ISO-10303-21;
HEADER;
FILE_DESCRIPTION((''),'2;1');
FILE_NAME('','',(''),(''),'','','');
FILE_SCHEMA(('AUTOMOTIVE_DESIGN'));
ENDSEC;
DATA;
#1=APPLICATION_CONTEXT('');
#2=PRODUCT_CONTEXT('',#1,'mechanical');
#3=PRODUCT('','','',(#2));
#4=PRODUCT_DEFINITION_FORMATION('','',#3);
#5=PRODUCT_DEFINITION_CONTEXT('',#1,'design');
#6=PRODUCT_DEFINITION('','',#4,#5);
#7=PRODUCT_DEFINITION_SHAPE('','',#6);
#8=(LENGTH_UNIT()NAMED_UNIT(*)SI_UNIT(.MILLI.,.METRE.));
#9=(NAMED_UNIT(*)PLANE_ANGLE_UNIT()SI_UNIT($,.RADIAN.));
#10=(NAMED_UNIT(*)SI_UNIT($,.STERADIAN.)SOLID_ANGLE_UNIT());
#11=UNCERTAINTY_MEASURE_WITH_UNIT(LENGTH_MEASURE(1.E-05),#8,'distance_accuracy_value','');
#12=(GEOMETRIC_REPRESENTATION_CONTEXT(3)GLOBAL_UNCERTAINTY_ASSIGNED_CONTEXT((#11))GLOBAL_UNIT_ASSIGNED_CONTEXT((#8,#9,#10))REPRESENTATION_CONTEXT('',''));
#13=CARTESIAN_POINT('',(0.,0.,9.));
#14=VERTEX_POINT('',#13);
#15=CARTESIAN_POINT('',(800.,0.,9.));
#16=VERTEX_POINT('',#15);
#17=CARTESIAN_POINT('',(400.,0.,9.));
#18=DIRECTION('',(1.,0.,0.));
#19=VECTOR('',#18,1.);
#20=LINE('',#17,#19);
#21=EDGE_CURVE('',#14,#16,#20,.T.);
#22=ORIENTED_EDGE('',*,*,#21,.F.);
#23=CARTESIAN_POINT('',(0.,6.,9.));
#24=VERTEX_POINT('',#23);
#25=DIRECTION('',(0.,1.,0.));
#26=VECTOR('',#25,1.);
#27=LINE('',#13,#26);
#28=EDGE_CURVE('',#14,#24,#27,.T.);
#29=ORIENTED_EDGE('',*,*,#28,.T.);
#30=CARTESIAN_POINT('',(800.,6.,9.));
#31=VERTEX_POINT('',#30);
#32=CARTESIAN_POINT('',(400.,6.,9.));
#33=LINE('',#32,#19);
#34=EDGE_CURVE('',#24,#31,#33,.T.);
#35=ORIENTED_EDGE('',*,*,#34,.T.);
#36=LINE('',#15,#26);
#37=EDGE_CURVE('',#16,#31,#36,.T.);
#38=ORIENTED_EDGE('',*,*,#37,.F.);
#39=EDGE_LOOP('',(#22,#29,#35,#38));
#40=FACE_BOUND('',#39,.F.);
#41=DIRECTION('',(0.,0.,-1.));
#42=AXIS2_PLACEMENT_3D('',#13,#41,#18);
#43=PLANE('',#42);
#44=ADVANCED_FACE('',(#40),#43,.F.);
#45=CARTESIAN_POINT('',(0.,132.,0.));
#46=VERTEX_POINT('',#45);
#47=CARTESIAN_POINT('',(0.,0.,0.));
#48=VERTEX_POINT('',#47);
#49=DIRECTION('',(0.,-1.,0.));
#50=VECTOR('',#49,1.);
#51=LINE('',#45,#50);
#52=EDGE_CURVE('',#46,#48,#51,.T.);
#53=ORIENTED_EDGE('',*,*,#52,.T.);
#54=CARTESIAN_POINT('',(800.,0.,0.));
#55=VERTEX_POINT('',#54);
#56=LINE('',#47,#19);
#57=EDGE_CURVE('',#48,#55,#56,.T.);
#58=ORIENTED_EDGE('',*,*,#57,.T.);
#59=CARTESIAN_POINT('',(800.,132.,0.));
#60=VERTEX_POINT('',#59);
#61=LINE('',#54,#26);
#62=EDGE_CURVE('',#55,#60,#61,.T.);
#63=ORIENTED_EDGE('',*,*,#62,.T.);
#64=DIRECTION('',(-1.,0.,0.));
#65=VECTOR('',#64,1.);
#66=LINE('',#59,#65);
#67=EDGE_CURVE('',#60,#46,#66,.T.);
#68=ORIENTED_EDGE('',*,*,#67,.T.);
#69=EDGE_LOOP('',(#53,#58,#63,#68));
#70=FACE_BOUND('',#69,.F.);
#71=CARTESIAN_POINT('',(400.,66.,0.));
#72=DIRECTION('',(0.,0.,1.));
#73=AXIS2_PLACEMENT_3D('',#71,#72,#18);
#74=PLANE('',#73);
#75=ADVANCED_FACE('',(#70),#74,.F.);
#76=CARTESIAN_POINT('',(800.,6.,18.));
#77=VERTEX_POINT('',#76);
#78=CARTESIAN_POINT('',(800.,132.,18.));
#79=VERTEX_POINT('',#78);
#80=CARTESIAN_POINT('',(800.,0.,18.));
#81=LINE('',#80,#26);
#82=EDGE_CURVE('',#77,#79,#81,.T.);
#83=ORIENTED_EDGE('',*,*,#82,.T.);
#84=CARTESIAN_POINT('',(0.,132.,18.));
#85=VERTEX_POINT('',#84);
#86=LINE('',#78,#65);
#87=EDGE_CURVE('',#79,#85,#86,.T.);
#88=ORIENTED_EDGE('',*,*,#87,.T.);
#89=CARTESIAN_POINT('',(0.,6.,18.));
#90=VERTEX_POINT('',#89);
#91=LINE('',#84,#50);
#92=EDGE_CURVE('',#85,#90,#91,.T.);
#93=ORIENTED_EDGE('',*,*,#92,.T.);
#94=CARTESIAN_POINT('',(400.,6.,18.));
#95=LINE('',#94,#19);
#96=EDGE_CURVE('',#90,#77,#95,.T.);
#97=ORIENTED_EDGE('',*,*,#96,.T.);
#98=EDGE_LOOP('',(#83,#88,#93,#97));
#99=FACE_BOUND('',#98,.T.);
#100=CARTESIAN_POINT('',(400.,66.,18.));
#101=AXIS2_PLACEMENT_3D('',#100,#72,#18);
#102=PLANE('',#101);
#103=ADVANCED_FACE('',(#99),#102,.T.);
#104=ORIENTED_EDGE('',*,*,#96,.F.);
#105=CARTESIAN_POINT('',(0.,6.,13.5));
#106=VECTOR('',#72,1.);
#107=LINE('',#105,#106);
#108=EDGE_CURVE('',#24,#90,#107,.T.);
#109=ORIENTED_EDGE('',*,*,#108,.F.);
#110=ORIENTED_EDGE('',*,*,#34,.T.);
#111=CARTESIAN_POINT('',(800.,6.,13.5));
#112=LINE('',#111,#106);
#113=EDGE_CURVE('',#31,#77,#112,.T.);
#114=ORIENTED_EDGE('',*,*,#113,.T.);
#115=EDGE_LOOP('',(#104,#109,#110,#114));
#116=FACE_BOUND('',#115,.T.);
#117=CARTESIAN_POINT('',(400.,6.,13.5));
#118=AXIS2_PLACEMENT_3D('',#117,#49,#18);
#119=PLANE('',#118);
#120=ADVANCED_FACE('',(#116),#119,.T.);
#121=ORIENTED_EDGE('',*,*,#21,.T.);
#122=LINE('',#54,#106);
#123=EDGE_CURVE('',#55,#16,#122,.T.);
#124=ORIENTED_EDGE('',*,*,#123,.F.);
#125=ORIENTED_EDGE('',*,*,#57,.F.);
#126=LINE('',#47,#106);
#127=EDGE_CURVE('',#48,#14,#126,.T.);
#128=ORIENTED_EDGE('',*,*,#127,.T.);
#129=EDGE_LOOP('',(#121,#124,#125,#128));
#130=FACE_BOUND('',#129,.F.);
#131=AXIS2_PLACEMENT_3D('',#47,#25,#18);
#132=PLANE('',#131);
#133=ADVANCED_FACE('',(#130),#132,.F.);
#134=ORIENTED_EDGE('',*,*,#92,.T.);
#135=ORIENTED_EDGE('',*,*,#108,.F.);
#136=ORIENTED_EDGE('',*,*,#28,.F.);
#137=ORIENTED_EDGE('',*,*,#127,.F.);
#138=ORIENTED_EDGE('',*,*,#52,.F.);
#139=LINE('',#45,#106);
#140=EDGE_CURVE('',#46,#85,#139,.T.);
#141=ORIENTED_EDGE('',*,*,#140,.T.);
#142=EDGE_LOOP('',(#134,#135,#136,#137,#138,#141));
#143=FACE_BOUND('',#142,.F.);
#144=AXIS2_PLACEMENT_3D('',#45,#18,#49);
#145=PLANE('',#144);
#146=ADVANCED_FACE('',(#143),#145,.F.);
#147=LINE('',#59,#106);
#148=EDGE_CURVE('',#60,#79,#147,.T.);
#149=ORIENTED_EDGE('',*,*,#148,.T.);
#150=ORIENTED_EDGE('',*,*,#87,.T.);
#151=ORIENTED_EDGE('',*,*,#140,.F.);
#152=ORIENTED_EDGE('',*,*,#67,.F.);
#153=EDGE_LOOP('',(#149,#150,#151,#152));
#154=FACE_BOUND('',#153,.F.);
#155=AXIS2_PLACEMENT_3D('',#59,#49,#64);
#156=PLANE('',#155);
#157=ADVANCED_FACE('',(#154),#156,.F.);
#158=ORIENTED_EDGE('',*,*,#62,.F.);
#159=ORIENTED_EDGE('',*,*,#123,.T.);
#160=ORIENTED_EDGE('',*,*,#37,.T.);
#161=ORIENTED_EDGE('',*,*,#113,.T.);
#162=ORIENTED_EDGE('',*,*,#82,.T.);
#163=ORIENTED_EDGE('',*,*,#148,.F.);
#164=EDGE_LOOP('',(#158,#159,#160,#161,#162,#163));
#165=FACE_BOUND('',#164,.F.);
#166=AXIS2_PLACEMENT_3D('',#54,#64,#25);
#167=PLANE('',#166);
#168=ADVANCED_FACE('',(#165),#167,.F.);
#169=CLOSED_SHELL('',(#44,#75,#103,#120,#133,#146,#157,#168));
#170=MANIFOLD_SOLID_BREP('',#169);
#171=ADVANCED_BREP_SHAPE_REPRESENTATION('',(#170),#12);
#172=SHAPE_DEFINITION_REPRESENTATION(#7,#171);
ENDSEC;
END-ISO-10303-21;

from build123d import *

# Parameters (mm, degrees)
F1_DEPTH = 18
F2_W     = 800
F2_H     = 9
F3_DEPTH = 6


with BuildPart() as f1:
    # F0 (on Top) → F1 (new body)
    with BuildSketch(Plane.XY):
        Polygon((0, 6), (0, 0), (800, 0), (800, 132), (0, 132), align=None)
    extrude(amount=F1_DEPTH)

    # F2 (on face) → F3 (cut)
    with BuildSketch(Plane.XZ):
        with Locations((400, 13.5)):
            Rectangle(F2_W, F2_H)
    extrude(amount=-F3_DEPTH, mode=Mode.SUBTRACT)


solid = f1.part
